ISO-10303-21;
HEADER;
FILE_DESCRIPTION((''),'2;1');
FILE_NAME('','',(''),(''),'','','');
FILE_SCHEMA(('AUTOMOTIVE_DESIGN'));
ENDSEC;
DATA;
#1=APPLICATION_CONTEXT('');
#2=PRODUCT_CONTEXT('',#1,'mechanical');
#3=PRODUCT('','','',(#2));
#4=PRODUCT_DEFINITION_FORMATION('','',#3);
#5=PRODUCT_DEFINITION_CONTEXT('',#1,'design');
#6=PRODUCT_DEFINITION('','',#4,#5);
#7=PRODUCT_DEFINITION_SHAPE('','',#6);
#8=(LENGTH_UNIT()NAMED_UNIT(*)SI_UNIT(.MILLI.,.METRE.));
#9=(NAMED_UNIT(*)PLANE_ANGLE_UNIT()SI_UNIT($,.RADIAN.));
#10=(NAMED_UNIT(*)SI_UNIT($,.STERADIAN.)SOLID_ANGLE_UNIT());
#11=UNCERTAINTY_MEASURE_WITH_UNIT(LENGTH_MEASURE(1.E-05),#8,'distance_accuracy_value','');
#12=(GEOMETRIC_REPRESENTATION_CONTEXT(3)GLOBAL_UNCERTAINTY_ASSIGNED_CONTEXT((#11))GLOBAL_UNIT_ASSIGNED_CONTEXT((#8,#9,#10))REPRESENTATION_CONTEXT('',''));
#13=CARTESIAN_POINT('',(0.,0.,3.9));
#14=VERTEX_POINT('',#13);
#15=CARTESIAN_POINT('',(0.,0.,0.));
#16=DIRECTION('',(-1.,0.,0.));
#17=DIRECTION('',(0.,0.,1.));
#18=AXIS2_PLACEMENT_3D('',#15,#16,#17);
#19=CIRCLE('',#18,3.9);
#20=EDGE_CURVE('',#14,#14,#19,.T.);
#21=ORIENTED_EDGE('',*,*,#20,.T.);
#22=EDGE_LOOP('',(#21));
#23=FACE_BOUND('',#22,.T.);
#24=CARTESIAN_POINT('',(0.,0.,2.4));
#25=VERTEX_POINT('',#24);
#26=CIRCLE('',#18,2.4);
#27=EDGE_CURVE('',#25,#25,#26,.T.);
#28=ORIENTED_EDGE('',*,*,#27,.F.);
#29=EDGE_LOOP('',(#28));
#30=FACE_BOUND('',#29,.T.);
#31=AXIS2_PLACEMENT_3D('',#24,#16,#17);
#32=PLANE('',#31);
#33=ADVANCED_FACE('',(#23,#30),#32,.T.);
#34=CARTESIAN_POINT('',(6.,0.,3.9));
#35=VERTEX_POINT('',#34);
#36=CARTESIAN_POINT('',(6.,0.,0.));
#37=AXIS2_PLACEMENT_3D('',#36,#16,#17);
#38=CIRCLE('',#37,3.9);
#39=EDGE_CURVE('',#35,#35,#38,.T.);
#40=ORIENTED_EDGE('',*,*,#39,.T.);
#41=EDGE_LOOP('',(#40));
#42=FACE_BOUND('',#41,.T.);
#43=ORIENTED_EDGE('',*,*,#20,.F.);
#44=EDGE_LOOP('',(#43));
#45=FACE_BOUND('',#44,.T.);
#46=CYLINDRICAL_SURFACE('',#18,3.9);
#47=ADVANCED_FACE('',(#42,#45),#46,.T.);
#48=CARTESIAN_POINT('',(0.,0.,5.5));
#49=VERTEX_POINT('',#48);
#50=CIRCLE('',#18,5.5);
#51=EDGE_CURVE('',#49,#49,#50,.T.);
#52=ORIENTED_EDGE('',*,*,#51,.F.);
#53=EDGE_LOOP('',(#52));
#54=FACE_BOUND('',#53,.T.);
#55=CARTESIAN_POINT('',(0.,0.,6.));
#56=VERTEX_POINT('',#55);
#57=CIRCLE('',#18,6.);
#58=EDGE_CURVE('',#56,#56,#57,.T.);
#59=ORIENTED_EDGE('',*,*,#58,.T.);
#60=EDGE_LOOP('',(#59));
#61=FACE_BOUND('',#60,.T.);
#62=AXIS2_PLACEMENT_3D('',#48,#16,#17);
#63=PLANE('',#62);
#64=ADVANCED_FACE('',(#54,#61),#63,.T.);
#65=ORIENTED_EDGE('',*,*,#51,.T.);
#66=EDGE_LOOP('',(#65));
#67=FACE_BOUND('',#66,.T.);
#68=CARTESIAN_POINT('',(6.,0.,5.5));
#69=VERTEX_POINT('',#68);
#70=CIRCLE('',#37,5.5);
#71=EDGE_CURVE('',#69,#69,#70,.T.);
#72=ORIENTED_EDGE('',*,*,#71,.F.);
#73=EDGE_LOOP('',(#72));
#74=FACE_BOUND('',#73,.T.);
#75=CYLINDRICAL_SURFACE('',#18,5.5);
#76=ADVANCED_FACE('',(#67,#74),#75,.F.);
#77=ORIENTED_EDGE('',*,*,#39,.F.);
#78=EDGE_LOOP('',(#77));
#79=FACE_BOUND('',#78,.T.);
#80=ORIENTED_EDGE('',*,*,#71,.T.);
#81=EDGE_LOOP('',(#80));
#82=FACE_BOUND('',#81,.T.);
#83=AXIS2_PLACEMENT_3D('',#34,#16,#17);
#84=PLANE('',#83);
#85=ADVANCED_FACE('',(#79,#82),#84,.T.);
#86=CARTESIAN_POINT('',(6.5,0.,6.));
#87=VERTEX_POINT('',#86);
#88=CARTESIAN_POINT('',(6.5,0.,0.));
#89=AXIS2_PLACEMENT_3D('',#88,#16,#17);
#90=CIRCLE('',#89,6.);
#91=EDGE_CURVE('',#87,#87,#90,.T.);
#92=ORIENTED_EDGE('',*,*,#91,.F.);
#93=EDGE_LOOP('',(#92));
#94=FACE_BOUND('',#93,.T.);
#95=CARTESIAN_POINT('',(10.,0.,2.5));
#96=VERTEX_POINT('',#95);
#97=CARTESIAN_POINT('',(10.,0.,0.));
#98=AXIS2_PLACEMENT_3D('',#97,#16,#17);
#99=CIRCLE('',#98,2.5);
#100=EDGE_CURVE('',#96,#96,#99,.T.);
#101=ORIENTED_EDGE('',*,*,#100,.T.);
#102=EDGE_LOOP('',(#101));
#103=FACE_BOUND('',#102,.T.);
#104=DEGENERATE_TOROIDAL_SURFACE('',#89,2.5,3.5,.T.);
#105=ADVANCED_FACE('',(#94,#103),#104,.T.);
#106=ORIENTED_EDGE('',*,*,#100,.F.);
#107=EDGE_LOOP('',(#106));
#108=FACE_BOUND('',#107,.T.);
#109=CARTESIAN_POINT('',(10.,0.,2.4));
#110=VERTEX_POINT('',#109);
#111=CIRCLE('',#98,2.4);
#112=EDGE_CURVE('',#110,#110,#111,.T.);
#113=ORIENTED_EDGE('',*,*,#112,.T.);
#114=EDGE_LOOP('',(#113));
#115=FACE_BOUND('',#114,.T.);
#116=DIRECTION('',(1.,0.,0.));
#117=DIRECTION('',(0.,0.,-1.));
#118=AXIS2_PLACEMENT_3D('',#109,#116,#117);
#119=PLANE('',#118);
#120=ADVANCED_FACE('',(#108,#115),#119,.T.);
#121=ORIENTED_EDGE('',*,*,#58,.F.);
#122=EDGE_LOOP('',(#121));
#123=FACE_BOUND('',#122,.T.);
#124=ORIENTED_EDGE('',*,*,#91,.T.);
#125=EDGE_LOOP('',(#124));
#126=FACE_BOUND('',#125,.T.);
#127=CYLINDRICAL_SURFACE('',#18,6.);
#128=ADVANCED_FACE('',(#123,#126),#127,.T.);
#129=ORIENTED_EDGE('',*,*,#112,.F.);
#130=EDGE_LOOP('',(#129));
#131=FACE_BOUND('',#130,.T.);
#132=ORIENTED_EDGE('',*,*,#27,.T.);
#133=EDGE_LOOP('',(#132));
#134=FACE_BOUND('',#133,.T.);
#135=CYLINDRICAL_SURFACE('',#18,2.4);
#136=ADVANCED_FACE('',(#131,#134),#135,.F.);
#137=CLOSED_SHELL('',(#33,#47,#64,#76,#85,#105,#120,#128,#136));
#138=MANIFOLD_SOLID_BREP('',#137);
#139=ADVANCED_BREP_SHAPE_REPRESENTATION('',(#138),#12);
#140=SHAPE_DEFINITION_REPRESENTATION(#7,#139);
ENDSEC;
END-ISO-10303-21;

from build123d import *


with BuildPart() as part:
    # Sketch1 → Revolve1 (revolve)
    with BuildSketch(Plane(origin=(0, 0, 0), x_dir=(-1, 0, 0), z_dir=(0, 1, 0))):
        with BuildLine():
            Line((-10, 2.4), (0, 2.4))
            Line((0, 2.4), (0, 3.9))
            Line((0, 3.9), (-6, 3.9))
            Line((-6, 3.9), (-6, 5.5))
            Line((-6, 5.5), (0, 5.5))
            Line((0, 5.5), (0, 6))
            Line((0, 6), (-6.5, 6))
            ThreePointArc((-6.5, 6), (-8.974873734, 4.974873734), (-10, 2.5))
            Line((-10, 2.5), (-10, 2.4))
        make_face()
    revolve(axis=Axis((0, 0, 0), (1, 0, 0)))


solid = part.part
